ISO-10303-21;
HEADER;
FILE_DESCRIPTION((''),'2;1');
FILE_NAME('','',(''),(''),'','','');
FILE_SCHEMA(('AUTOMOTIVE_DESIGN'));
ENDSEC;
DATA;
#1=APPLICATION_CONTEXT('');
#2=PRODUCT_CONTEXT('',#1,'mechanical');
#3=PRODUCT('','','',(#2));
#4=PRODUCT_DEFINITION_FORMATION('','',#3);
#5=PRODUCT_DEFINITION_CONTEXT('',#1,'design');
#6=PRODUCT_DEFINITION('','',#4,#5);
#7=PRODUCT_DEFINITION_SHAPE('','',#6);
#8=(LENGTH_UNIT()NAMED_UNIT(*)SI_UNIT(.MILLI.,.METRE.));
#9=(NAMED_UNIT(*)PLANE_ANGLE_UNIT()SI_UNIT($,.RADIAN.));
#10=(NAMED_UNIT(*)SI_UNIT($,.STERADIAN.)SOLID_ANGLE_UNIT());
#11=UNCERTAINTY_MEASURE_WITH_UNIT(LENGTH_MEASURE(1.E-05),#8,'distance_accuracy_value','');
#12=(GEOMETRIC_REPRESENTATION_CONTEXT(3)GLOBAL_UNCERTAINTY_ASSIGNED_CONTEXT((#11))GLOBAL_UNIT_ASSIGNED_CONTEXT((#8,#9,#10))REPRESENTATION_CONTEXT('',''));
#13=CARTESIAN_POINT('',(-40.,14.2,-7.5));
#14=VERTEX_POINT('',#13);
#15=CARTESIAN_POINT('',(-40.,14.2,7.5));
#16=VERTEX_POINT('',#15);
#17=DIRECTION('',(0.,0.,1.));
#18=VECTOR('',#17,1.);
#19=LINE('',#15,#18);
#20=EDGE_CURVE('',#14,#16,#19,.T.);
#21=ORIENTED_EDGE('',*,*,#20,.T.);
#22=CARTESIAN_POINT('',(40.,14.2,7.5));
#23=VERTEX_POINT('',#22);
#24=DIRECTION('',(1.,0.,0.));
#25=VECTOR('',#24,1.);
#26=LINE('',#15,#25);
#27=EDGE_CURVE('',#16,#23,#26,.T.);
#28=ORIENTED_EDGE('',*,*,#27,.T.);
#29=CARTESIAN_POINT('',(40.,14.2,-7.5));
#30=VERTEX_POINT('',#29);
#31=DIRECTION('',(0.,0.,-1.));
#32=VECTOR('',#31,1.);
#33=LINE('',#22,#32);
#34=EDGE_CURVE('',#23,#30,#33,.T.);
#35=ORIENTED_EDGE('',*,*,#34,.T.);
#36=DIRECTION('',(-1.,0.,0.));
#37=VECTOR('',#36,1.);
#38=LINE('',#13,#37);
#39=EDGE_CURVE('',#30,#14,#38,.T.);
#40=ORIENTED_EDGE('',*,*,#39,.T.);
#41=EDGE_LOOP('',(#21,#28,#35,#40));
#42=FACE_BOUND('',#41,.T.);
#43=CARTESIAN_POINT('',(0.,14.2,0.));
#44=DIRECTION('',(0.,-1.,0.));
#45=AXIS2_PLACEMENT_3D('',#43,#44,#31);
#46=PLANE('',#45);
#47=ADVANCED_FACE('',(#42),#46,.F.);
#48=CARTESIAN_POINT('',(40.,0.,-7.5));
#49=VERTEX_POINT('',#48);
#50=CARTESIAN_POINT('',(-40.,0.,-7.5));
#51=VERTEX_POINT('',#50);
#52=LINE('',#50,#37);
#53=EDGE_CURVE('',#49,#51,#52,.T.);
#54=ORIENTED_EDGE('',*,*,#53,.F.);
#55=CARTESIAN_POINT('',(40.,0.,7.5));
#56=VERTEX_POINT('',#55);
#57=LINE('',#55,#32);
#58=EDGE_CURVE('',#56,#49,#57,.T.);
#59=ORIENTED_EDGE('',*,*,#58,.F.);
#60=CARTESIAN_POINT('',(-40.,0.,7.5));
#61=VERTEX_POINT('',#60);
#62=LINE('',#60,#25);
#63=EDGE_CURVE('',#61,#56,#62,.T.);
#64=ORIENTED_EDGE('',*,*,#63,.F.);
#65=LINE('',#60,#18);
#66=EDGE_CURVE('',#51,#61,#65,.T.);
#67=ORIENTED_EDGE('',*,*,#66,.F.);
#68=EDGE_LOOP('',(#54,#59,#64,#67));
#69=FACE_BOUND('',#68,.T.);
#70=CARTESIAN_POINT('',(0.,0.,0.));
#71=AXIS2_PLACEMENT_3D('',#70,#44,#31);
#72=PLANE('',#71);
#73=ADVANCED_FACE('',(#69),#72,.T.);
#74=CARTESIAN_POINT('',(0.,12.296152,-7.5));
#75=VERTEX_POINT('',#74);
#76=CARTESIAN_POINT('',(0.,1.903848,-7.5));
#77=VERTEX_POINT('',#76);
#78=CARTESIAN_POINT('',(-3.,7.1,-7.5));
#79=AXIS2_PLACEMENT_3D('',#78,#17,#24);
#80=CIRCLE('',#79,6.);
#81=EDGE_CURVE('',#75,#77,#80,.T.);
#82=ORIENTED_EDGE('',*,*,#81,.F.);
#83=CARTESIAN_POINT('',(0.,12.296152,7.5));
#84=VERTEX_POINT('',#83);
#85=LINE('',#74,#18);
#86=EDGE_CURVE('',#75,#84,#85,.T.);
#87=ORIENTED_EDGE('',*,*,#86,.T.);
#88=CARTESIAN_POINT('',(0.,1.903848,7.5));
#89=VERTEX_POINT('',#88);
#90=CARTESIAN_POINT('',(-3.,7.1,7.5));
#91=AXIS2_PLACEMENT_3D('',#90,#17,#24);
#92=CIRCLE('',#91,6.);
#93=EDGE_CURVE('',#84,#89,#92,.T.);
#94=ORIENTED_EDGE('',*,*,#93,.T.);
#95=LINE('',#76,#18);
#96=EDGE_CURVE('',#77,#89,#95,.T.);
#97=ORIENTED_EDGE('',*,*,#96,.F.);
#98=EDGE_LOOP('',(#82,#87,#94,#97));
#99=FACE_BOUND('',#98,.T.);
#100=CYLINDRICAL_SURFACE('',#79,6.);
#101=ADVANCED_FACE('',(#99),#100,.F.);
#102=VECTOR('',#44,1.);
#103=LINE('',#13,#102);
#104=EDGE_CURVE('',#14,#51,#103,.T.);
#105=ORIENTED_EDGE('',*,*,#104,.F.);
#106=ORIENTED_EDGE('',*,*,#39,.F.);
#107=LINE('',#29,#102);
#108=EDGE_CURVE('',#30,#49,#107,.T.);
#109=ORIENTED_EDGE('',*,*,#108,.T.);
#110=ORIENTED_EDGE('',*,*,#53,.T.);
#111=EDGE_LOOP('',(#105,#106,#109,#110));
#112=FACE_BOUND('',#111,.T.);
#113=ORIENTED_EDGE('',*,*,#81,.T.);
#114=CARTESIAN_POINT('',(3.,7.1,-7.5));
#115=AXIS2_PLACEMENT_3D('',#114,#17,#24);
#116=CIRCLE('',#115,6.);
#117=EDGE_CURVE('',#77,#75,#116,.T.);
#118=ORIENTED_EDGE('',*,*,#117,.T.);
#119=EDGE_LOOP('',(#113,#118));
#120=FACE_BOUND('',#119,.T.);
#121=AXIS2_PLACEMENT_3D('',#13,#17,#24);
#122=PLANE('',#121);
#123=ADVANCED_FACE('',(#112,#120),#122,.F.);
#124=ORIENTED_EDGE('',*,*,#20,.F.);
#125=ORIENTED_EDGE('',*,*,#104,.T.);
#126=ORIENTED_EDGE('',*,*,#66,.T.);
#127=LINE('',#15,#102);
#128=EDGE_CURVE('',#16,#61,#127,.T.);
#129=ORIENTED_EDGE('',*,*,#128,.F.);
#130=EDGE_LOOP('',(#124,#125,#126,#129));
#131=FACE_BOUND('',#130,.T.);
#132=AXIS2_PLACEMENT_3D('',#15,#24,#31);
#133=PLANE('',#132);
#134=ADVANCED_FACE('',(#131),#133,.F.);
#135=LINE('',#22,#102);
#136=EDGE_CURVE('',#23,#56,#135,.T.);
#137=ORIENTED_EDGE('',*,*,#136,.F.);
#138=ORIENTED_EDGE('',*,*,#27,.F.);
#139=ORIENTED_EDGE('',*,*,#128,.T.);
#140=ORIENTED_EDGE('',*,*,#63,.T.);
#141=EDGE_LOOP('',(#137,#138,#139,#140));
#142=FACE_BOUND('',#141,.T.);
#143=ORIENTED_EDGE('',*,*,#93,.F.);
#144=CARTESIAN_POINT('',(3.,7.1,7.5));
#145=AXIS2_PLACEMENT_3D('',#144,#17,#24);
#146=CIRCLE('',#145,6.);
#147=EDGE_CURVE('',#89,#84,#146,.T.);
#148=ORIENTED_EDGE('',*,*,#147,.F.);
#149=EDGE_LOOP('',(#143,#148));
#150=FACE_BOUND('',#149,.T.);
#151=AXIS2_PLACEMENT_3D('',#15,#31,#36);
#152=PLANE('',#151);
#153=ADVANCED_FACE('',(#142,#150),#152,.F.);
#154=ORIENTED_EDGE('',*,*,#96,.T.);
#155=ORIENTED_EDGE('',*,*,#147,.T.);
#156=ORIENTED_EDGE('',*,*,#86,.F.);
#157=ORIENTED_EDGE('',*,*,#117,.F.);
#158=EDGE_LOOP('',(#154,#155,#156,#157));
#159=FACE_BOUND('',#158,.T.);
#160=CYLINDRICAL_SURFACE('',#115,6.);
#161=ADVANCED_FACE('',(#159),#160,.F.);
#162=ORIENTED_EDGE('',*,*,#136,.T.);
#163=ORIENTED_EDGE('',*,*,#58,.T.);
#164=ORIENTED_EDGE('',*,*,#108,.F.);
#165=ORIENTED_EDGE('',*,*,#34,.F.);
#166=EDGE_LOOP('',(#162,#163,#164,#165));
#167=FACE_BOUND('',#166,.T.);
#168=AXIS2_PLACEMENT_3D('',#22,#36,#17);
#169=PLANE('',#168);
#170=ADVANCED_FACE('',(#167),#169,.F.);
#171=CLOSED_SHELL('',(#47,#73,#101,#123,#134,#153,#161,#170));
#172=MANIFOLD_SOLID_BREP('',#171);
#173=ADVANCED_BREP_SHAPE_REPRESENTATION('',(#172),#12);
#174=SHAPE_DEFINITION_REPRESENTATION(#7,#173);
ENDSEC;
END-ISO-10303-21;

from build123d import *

# Parameters (mm, degrees)
SKETCH1_W           = 80
SKETCH1_H           = 15
BOSS_EXTRUDE1_DEPTH = 14.2
CUT_EXTRUDE1_DEPTH  = 46.018218534


with BuildPart() as part:
    # Sketch1 → Boss-Extrude1 (new body)
    with BuildSketch(Plane(origin=(0, 0, 0), x_dir=(1, 0, 0), z_dir=(0, 1, 0))):
        Rectangle(SKETCH1_W, SKETCH1_H)
    extrude(amount=BOSS_EXTRUDE1_DEPTH)

    # Sketch4 → Cut-Extrude1 (cut, through all)
    with BuildSketch(Plane.XY.offset(7.5)):
        with BuildLine():
            ThreePointArc((0, 1.903847577), (9, 7.1), (0, 12.296152423))
            ThreePointArc((0, 12.296152423), (-9, 7.1), (0, 1.903847577))
        make_face()
    extrude(amount=-CUT_EXTRUDE1_DEPTH, mode=Mode.SUBTRACT)


solid = part.part
